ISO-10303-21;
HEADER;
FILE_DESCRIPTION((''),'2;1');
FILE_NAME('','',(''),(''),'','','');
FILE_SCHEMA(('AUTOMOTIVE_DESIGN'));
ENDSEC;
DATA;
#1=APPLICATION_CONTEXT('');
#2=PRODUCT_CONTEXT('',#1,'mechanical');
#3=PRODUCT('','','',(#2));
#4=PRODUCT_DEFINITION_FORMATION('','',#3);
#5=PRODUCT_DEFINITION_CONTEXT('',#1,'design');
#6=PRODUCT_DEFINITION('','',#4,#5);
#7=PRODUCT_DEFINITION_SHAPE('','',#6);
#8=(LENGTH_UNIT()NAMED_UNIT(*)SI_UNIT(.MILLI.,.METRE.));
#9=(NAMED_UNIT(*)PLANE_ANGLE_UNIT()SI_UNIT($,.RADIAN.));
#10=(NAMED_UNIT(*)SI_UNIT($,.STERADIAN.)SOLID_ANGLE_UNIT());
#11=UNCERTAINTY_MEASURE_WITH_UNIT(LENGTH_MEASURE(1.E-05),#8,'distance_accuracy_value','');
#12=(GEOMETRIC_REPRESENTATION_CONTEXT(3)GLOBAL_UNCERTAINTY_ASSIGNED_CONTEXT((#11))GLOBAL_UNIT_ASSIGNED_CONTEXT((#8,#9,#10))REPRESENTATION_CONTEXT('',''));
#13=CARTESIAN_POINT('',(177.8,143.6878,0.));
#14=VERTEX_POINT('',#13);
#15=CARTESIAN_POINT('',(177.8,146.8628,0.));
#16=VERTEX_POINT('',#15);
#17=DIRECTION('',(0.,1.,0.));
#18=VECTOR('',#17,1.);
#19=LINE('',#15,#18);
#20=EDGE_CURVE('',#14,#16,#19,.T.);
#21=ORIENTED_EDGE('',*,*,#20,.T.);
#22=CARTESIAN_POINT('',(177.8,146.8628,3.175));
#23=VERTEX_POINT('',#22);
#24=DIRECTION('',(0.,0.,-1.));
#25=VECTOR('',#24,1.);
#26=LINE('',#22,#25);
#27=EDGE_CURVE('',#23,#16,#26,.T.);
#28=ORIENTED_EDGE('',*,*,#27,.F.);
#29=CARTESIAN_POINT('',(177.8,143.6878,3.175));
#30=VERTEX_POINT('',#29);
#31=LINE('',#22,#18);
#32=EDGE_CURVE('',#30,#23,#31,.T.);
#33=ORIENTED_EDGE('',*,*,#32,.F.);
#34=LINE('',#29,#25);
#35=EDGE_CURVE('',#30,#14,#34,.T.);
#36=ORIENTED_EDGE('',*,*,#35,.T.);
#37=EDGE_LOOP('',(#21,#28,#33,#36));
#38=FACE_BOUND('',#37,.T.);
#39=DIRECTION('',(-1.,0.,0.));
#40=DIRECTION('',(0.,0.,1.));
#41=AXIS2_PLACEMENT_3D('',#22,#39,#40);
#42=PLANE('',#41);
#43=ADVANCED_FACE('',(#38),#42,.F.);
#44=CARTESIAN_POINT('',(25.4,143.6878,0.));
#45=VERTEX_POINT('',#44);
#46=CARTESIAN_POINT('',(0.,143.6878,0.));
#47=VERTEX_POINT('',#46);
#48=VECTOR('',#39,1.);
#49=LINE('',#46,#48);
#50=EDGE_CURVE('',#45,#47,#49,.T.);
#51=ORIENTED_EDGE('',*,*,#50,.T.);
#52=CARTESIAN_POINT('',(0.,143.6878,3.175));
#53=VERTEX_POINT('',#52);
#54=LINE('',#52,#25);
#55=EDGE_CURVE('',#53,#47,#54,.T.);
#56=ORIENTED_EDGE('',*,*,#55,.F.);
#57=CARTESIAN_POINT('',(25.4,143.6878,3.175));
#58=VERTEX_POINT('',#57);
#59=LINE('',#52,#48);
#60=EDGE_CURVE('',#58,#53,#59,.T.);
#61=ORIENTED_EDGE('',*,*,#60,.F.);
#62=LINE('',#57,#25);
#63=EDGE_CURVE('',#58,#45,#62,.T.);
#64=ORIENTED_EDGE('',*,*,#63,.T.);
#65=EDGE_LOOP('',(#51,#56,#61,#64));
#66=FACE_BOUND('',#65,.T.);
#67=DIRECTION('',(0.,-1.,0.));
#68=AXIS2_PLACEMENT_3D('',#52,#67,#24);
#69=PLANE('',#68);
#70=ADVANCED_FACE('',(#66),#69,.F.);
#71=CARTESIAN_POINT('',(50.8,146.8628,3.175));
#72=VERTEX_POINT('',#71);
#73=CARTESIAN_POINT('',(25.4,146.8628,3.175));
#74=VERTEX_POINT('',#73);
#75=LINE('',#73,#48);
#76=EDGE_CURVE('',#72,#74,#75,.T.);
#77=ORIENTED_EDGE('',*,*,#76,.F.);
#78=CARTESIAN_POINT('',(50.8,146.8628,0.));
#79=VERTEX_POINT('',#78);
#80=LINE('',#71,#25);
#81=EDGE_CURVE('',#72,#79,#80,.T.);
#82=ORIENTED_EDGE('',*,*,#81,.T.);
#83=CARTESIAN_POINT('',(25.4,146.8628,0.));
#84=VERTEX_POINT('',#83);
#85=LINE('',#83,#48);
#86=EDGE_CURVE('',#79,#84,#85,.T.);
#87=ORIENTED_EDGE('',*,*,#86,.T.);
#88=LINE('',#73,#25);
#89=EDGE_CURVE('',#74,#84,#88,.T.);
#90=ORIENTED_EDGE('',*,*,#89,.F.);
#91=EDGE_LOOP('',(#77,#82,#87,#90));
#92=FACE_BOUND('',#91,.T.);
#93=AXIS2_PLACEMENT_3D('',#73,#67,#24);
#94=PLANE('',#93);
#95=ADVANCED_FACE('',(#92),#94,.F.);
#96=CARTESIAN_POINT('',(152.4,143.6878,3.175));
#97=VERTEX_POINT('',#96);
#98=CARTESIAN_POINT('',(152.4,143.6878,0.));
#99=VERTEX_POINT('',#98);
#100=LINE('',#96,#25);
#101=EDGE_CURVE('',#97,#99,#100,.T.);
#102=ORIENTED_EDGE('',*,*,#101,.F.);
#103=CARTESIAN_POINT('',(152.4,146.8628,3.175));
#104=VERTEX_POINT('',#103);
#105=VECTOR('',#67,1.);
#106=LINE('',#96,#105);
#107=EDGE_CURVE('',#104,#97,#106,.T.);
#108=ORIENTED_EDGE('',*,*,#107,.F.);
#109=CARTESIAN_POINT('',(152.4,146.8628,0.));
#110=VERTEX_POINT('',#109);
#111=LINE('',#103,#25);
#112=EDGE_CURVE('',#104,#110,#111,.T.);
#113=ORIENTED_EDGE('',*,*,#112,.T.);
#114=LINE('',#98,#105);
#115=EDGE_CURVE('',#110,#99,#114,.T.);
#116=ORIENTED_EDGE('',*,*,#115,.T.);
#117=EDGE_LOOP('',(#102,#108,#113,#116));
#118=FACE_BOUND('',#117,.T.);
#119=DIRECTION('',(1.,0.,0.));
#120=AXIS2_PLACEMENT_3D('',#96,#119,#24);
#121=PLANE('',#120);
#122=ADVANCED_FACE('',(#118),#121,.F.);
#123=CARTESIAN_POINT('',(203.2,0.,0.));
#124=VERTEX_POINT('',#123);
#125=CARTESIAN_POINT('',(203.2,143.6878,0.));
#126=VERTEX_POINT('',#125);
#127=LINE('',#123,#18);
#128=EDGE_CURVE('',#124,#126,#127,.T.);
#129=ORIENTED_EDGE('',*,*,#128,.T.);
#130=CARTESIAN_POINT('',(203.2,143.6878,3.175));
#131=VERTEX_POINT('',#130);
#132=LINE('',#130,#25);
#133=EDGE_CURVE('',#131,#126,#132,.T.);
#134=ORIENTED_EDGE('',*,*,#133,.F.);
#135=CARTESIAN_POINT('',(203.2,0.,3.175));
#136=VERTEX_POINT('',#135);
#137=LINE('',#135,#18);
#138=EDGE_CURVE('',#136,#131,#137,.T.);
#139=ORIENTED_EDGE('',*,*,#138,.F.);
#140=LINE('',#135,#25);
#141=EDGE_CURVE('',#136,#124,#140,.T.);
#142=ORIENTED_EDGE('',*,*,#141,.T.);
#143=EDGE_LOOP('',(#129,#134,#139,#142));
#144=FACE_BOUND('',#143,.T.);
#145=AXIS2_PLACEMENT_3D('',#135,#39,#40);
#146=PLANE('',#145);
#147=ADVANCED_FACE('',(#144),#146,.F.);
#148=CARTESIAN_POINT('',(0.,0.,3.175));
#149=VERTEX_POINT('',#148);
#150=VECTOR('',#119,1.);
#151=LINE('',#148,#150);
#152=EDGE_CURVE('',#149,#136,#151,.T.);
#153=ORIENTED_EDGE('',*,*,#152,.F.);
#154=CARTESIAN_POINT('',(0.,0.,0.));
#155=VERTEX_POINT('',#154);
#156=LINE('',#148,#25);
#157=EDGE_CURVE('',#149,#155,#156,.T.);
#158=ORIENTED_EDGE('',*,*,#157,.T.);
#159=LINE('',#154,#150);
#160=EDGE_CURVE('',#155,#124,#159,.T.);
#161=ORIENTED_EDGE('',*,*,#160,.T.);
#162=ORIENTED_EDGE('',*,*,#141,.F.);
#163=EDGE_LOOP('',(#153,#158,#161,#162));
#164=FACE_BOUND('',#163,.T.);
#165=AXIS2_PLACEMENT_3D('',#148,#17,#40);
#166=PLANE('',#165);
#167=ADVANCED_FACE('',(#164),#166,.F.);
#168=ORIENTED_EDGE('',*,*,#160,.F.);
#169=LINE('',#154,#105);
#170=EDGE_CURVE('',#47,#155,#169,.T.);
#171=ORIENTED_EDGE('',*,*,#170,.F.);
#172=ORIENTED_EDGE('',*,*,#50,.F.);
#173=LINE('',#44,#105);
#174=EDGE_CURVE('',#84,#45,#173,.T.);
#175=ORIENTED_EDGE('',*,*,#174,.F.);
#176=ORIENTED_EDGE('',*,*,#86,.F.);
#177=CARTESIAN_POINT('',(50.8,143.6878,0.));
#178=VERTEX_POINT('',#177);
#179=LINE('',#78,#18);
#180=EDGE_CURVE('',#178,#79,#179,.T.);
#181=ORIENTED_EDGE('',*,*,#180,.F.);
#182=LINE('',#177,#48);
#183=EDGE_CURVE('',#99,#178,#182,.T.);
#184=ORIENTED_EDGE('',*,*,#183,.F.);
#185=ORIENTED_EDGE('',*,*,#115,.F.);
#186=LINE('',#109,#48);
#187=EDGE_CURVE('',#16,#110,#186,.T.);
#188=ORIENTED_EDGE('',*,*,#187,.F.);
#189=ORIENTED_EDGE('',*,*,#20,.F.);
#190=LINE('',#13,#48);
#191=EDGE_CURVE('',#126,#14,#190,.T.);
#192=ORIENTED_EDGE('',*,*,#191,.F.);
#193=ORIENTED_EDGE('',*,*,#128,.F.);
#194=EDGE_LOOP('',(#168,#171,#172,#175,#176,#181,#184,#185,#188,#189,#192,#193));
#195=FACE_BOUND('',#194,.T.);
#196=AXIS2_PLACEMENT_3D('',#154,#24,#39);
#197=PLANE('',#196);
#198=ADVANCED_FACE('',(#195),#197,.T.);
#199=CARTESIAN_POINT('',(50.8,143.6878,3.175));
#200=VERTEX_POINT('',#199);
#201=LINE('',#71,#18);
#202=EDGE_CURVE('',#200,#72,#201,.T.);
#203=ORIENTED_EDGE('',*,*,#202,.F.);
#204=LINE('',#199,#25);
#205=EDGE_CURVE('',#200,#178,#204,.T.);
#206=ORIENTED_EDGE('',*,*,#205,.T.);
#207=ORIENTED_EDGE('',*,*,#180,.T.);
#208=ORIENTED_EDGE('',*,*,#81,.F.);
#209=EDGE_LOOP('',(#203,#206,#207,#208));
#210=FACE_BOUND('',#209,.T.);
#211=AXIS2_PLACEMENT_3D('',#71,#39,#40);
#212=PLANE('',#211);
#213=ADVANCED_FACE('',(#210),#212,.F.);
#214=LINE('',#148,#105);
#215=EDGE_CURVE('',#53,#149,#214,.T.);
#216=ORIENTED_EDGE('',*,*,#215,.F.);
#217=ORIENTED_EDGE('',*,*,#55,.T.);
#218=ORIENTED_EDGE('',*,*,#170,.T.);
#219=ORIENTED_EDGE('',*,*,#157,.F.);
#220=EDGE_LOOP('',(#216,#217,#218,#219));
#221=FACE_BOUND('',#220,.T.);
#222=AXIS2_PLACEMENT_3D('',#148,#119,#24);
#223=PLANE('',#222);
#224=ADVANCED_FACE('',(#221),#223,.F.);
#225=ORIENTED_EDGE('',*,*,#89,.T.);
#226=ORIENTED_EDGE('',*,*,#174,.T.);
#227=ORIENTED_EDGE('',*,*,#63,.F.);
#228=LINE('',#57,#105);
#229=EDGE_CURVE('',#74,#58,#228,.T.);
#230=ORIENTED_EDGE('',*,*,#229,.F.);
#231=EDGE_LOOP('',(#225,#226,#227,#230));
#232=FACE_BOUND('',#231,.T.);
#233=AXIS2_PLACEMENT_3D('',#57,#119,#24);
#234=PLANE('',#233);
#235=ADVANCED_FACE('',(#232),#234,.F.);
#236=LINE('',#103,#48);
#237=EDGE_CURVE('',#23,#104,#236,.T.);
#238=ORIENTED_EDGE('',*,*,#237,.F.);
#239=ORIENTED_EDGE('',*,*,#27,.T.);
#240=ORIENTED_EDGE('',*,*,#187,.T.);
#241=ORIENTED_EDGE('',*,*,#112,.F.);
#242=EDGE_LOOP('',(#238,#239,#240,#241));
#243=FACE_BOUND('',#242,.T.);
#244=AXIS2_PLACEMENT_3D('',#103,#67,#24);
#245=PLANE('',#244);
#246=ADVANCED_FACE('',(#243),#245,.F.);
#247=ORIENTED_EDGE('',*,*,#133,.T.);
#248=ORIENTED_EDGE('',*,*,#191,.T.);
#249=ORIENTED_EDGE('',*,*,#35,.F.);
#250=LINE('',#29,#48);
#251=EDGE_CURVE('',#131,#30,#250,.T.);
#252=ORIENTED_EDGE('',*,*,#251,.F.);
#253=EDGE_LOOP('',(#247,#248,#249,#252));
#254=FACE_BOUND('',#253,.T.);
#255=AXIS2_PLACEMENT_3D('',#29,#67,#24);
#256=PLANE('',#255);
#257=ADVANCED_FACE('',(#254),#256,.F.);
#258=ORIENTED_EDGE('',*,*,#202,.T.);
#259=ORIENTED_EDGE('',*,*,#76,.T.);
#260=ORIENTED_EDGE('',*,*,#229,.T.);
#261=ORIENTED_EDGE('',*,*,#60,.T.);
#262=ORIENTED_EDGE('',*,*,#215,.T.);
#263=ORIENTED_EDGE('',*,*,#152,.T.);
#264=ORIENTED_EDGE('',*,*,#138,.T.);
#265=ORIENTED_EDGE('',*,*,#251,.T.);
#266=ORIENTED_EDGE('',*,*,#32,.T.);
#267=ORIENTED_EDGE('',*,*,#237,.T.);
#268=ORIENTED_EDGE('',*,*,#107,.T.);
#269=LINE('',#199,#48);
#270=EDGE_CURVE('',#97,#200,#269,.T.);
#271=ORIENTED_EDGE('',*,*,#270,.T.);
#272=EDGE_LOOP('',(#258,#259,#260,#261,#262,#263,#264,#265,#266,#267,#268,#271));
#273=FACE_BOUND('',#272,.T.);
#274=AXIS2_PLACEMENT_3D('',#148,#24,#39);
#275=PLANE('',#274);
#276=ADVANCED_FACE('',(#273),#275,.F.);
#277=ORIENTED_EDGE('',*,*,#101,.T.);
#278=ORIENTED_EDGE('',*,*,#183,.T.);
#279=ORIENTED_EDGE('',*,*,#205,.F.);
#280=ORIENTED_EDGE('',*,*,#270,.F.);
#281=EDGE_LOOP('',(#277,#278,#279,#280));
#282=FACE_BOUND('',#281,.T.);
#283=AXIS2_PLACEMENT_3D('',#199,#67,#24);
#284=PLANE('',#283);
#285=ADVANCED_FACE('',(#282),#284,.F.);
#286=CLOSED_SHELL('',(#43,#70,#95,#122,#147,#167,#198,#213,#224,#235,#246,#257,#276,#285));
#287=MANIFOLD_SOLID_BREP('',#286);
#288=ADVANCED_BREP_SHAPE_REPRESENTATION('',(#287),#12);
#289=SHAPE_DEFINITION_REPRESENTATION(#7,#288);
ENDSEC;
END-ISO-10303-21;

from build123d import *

# Parameters (mm, degrees)
BOSS_EXTRUDE1_DEPTH = 3.175
BOSS_EXTRUDE2_DEPTH = 3.175


with BuildPart() as part:
    # Sketch1 → Boss-Extrude1 (new body)
    with BuildSketch(Plane.XY):
        Polygon((0, 143.6878), (25.4, 143.6878), (25.4, 146.8628), (50.8, 146.8628), (50.8, 143.6878), (152.4, 143.6878), (152.4, 146.8628), (177.8, 146.8628), (177.8, 143.6878), (203.2, 143.6878), (203.2, 0), (0, 0), align=None)
    extrude(amount=BOSS_EXTRUDE1_DEPTH)

    # Sketch1<2> → Boss-Extrude2 (add)
    with BuildSketch(Plane.XY):
        Polygon((0, 143.6878), (25.4, 143.6878), (25.4, 146.8628), (50.8, 146.8628), (50.8, 143.6878), (152.4, 143.6878), (152.4, 146.8628), (177.8, 146.8628), (177.8, 143.6878), (203.2, 143.6878), (203.2, 0), (0, 0), align=None)
    extrude(amount=BOSS_EXTRUDE2_DEPTH)


solid = part.part
